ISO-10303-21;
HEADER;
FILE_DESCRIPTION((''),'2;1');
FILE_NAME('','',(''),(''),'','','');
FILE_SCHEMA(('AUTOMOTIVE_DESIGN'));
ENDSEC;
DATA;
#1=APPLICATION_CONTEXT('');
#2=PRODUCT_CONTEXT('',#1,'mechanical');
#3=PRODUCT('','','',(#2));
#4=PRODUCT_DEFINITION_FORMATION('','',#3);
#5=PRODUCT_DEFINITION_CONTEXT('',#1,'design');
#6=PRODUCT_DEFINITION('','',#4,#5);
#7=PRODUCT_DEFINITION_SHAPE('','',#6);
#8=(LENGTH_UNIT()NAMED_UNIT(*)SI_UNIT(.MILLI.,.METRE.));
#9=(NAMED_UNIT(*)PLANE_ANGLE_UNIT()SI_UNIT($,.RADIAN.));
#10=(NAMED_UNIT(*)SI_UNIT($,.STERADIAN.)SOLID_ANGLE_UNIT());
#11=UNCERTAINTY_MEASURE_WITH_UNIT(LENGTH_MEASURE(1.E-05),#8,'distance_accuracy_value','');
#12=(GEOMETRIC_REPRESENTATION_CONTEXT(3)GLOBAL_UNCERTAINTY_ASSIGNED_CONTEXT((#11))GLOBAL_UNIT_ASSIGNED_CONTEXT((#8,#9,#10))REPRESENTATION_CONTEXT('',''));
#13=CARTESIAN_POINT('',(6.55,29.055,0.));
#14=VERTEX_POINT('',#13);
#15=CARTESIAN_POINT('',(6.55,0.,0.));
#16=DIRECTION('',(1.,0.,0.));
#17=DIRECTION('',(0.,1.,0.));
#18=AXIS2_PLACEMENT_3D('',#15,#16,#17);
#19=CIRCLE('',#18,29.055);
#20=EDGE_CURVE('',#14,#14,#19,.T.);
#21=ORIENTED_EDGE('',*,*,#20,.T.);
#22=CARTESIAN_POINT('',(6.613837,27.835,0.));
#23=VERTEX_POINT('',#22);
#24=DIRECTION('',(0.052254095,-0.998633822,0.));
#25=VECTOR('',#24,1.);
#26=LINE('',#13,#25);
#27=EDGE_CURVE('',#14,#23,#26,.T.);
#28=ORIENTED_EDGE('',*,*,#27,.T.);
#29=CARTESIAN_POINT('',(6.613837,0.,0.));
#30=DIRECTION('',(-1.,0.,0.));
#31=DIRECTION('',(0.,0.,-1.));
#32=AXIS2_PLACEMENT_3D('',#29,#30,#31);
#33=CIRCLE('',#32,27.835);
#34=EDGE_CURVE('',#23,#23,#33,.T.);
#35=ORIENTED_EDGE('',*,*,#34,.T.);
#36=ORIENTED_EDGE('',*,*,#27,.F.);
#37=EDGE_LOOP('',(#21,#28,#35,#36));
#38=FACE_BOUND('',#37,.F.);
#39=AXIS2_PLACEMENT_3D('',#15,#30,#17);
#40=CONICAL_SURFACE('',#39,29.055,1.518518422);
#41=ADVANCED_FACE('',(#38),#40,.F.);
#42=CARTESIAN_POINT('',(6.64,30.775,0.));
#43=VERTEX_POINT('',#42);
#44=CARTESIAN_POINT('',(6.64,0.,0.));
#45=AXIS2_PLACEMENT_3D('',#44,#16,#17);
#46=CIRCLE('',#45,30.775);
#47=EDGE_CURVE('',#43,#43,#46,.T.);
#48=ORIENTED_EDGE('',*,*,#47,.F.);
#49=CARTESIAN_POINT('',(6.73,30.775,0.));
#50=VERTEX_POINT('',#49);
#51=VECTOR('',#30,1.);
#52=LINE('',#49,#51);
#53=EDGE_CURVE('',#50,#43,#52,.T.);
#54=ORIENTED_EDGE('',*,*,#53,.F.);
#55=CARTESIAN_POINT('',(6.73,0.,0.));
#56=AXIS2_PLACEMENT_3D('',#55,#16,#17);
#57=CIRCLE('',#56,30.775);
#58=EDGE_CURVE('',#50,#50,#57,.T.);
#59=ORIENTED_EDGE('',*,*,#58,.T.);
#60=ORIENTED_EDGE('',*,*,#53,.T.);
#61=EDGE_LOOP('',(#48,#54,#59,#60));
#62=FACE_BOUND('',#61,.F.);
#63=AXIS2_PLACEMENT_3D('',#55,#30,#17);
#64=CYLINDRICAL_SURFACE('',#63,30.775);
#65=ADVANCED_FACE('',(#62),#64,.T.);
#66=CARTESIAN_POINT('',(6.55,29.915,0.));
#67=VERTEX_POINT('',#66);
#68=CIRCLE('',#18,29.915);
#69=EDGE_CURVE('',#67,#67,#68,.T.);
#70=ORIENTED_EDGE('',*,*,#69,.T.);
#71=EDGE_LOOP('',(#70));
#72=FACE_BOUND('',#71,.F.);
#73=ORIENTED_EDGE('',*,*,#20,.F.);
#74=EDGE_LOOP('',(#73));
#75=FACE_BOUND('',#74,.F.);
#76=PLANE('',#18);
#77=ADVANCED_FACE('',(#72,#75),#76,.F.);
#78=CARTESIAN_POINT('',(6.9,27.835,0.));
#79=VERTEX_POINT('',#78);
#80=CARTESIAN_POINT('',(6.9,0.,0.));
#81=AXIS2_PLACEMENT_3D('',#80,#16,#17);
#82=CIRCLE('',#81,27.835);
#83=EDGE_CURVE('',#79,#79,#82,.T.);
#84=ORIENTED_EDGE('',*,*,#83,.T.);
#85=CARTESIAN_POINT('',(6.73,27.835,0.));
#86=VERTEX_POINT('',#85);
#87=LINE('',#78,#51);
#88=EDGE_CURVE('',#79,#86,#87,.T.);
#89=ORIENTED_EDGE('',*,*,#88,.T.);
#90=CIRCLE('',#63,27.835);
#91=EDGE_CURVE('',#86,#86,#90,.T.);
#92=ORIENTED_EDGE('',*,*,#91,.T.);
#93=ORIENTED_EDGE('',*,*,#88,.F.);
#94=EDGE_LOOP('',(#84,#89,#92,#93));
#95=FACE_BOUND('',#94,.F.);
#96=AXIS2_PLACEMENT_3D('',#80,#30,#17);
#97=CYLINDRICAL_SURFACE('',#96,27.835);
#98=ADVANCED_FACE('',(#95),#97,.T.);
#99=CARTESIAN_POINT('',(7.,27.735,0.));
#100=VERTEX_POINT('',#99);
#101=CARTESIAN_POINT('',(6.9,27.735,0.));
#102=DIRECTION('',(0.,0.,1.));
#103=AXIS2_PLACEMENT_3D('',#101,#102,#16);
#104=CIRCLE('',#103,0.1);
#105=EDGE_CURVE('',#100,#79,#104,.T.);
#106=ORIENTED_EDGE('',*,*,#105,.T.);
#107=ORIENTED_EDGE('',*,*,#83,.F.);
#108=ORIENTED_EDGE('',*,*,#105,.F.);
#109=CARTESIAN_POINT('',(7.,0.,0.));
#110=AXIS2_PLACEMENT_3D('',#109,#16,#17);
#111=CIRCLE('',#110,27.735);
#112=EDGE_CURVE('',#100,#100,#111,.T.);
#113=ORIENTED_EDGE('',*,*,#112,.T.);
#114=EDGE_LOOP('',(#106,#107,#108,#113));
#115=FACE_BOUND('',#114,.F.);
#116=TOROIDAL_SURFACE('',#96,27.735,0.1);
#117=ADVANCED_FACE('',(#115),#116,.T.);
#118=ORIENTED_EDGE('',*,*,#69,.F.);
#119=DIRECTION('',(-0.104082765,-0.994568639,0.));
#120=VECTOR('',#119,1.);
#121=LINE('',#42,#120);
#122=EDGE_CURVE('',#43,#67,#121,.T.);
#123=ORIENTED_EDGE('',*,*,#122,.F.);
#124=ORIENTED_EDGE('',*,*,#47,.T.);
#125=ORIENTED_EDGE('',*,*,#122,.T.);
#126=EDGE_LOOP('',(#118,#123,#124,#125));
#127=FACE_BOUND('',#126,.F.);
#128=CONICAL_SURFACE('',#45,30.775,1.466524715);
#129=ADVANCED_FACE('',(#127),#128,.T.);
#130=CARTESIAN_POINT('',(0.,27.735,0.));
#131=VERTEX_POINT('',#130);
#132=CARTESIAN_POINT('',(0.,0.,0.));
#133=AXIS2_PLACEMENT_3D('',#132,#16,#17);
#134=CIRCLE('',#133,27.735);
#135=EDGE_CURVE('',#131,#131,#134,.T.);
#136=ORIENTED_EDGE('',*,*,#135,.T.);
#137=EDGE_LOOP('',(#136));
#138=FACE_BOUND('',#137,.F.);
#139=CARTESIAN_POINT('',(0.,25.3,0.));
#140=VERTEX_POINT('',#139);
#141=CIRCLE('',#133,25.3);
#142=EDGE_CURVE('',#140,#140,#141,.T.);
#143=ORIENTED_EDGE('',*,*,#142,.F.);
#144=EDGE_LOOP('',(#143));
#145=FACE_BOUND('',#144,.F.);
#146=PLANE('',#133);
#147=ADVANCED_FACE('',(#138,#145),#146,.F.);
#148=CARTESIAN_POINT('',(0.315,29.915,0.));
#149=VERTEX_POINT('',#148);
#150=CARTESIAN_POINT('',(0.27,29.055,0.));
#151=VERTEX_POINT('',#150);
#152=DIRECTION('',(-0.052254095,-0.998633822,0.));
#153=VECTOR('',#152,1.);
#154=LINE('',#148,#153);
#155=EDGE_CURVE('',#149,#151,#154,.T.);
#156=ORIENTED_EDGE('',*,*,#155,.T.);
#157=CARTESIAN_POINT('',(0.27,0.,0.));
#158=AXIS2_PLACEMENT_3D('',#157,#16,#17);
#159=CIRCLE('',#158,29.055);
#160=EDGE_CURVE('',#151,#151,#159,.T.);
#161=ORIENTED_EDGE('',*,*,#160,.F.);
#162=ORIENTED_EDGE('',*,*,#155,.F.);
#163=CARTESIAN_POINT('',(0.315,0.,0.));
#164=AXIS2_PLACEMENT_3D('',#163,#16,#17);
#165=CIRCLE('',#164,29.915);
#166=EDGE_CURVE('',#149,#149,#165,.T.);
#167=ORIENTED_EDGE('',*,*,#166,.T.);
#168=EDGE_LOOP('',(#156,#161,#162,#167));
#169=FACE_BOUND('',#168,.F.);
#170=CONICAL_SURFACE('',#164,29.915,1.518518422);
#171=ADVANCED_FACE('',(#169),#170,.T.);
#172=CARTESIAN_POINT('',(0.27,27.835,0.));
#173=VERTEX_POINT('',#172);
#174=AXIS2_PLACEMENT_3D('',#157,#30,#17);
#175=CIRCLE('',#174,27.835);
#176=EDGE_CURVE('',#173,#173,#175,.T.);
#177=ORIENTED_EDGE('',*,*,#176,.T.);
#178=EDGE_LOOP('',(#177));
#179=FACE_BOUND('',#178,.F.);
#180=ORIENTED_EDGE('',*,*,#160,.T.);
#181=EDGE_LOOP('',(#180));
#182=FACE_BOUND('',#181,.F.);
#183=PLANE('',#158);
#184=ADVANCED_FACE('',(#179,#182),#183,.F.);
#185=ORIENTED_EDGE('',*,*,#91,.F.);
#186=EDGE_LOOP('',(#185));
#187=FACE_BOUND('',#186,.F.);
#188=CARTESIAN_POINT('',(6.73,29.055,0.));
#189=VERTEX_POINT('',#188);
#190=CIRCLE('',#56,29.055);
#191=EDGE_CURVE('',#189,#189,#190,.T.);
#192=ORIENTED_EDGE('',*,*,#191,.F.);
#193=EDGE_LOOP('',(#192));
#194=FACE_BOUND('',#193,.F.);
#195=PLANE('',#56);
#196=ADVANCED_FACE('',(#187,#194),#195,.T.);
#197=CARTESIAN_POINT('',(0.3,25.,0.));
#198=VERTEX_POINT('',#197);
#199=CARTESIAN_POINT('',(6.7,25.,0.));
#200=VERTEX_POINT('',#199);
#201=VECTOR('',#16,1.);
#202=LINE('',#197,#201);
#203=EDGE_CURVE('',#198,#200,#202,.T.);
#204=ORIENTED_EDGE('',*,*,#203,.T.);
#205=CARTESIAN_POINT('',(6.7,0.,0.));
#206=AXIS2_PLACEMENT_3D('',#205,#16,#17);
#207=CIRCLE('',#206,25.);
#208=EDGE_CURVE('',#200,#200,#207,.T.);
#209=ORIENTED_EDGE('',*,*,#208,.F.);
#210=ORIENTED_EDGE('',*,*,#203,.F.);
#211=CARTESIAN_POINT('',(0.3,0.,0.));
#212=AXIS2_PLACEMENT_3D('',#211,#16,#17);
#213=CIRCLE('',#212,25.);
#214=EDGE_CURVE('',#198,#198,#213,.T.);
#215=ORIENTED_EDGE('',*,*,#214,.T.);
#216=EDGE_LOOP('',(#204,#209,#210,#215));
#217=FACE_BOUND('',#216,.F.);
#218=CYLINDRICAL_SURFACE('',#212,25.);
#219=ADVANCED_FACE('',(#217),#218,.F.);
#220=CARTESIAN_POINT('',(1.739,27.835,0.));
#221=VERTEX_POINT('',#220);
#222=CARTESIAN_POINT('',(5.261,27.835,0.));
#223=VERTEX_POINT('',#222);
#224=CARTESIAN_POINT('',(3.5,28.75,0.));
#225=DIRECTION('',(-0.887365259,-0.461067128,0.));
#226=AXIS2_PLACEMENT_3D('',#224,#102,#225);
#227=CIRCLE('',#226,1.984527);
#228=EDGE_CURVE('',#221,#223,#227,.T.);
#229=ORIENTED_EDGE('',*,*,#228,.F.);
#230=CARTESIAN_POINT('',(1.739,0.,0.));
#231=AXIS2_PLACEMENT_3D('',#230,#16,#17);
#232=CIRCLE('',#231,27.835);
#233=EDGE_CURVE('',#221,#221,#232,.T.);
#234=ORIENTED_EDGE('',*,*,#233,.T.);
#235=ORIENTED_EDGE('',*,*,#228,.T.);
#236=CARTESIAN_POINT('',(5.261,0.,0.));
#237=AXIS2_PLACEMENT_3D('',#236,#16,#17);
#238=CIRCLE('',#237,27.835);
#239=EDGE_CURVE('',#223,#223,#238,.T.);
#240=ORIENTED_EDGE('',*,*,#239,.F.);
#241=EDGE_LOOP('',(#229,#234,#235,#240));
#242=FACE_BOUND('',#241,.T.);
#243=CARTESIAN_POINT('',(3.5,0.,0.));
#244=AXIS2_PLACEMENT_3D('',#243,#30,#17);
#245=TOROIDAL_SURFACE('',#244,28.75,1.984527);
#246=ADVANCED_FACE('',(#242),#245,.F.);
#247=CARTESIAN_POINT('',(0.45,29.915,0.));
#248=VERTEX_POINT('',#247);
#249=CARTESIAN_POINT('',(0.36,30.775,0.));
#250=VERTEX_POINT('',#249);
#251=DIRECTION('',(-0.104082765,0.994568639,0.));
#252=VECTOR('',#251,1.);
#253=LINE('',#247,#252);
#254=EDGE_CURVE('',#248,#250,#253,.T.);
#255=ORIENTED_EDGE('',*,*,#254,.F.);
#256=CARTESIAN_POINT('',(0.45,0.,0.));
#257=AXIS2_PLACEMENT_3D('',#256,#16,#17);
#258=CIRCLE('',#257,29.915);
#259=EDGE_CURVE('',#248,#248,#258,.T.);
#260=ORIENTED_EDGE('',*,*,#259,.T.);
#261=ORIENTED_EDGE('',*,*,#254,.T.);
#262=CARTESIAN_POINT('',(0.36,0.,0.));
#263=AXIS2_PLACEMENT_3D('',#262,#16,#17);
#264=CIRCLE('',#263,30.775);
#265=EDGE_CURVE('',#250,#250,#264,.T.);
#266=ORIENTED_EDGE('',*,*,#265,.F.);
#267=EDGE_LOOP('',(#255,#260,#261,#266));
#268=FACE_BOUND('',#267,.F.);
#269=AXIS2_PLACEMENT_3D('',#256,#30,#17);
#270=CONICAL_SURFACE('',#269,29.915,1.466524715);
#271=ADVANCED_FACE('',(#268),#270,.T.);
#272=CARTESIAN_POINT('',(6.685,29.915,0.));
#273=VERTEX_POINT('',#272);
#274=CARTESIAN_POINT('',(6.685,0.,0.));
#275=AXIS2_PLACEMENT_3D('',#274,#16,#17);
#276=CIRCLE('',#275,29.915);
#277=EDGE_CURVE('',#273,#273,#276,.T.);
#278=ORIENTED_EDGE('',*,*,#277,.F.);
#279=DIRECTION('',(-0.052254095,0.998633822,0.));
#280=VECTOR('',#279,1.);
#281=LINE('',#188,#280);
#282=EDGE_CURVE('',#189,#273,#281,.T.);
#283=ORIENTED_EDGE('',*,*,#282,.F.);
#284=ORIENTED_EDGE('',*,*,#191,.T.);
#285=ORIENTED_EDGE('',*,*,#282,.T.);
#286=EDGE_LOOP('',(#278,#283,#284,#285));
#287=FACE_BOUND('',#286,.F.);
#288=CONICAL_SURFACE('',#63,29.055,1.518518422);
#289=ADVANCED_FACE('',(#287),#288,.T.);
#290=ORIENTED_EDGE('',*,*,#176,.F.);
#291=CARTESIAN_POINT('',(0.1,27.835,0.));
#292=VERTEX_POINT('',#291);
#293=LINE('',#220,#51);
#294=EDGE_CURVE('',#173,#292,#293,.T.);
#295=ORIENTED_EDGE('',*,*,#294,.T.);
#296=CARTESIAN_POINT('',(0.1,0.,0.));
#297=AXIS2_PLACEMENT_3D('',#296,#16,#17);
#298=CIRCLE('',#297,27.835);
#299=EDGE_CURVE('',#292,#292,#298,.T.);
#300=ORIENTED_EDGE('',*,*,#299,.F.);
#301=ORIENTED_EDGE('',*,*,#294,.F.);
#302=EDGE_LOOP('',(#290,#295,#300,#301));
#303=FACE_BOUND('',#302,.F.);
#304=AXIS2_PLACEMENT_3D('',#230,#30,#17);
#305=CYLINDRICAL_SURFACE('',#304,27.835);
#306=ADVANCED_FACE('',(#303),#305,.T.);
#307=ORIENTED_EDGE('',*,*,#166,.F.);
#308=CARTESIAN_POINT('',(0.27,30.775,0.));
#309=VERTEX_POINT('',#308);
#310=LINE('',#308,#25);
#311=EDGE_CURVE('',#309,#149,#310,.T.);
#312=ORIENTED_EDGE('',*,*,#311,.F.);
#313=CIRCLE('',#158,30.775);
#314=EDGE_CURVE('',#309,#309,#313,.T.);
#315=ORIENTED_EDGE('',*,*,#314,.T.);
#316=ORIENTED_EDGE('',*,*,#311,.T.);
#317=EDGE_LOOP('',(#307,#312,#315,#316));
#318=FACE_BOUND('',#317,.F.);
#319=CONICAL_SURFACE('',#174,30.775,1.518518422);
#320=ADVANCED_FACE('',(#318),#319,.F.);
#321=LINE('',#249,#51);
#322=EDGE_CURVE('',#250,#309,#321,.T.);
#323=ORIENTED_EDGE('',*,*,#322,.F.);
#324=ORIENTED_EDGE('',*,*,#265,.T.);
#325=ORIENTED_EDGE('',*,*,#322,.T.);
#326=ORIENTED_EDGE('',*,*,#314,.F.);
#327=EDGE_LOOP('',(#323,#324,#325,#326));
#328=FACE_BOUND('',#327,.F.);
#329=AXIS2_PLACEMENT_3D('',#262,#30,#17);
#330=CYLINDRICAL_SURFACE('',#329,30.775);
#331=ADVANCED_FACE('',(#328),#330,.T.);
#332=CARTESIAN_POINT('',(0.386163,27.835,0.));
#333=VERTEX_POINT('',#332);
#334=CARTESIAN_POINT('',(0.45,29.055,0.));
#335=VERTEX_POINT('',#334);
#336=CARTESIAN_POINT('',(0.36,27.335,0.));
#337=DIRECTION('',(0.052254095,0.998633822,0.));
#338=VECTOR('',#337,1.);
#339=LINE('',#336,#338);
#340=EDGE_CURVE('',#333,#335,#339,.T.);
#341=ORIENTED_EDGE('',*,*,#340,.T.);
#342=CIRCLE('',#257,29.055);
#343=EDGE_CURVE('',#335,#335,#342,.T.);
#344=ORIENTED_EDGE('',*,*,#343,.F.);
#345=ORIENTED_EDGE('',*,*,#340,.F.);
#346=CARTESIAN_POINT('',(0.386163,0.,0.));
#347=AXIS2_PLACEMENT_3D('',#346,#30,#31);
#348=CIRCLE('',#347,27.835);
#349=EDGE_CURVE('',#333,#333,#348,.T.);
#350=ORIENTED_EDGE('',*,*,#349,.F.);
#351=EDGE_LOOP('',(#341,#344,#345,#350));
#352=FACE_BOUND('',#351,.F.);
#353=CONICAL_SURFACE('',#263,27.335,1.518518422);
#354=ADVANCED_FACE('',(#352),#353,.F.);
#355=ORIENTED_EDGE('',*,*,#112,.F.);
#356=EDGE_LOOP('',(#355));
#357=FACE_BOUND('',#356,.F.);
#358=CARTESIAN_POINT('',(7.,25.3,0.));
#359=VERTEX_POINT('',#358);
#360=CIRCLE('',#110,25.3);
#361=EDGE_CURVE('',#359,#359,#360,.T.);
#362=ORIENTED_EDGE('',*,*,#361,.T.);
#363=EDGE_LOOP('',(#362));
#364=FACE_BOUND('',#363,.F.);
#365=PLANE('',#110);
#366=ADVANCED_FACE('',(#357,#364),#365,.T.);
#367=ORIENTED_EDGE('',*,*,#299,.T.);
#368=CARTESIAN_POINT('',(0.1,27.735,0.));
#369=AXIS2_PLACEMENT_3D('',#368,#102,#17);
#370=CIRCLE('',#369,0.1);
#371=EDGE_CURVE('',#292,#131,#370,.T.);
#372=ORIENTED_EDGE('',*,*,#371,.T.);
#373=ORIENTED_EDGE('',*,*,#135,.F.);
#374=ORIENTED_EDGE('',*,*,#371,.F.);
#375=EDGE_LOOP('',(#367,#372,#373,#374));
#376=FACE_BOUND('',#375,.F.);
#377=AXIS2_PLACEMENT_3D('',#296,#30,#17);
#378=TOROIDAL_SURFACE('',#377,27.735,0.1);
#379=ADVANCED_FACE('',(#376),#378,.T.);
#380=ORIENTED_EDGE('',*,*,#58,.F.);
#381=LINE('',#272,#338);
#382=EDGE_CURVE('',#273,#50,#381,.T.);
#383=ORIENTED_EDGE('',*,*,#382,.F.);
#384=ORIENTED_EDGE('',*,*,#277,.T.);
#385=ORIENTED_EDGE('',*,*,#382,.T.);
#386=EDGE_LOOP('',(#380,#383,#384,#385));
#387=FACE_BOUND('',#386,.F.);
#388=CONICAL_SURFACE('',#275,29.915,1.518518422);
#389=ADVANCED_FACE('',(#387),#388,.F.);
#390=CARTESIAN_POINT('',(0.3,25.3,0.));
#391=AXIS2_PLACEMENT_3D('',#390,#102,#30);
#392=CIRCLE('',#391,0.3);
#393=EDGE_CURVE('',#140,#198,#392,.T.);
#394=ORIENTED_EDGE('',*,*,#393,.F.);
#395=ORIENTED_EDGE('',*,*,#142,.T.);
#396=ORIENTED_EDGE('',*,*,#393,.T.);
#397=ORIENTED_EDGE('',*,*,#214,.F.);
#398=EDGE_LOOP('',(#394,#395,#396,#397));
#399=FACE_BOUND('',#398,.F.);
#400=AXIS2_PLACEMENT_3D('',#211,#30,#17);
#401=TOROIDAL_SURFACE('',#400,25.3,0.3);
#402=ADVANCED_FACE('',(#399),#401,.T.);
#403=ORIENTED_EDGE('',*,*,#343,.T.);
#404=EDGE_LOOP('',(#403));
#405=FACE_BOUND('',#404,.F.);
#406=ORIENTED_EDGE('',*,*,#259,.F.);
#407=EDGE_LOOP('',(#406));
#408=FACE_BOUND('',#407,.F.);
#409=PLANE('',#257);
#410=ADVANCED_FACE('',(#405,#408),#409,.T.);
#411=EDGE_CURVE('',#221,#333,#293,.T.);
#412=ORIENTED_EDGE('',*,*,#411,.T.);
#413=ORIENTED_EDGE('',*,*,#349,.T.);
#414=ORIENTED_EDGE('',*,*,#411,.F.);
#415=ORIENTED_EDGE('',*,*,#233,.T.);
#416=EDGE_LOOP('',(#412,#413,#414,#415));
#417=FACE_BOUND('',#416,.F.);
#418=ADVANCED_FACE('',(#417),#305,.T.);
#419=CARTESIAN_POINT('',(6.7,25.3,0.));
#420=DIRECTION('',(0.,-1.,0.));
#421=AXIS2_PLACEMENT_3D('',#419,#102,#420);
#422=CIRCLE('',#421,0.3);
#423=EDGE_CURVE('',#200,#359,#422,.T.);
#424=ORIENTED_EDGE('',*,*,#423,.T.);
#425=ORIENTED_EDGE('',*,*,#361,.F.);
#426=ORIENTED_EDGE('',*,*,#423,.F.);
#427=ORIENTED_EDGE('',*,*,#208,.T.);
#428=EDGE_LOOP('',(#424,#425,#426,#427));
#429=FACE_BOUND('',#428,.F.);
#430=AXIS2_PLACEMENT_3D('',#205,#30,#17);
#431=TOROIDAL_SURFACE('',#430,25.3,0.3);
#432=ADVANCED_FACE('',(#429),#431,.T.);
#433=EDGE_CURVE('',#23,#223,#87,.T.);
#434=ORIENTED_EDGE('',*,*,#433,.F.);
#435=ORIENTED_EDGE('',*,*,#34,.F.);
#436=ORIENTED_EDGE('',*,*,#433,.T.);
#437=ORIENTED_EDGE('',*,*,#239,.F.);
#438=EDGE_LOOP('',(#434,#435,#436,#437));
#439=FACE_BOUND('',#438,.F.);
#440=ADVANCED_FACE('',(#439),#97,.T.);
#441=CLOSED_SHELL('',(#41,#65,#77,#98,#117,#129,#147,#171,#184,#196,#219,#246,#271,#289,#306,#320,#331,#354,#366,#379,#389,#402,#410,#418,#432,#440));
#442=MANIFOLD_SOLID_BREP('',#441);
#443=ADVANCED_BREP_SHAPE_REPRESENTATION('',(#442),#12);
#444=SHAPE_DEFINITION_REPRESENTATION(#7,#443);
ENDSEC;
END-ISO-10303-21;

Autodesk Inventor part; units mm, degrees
ref_plane "YZ Plane" through (0, 0, 0) normal (1, 0, 0) x (0, 1, 0)
ref_plane "XZ Plane" through (0, 0, 0) normal (0, 1, 0) x (-1, 0, 0)
ref_plane "XY Plane" through (0, 0, 0) normal (0, 0, 1) x (1, 0, 0)
sketch "Sketch_13" plane through (0, 0, 0) normal (0, 0, 1) x (1, 0, 0)
  line L0 (50, 0) -> (-50, 0)
  line L1 (0, 27.735) -> (0, 25.3)
  arc A0 (0, 25.3) -> (0.3, 25) centre (0.3, 25.3) ccw
  line L2 (0.3, 25) -> (6.7, 25)
  arc A1 (6.7, 25) -> (7, 25.3) centre (6.7, 25.3) ccw
  line L3 (7, 25.3) -> (7, 27.735)
  arc A2 (7, 27.735) -> (6.9, 27.835) centre (6.9, 27.735) ccw
  line L4 (6.9, 27.835) -> (5.261, 27.835)
  arc A3 (1.739, 27.835) -> (5.261, 27.835) centre (3.5, 28.75) ccw
  line L5 (1.739, 27.835) -> (0.1, 27.835)
  arc A4 (0.1, 27.835) -> (0, 27.735) centre (0.1, 27.735) ccw
revolve "Revolution1" add sketch "Sketch_13" angle 360 about axis through (50, 0, 0) along (1, 0, 0)
sketch "Sketch_15" plane through (0, 0, 0) normal (0, 0, 1) x (1, 0, 0)
  line L0 (50, 0) -> (-50, 0)
  line L1 (0.27, 30.775) -> (0.315, 29.915)
  line L2 (0.315, 29.915) -> (0.27, 29.055)
  line L3 (0.27, 29.055) -> (0.27, 27.335)
  line L4 (0.27, 27.335) -> (0.36, 27.335)
  line L5 (0.36, 27.335) -> (0.45, 29.055)
  line L6 (0.45, 29.055) -> (0.45, 29.915)
  line L7 (0.45, 29.915) -> (0.36, 30.775)
  line L8 (0.36, 30.775) -> (0.27, 30.775)
revolve "Revolution2" add sketch "Sketch_15" angle 360 about axis through (50, 0, 0) along (1, 0, 0)
sketch "Sketch_16" plane through (0, 0, 0) normal (0, 0, 1) x (1, 0, 0)
  line L0 (50, 0) -> (-50, 0)
  line L1 (6.55, 29.915) -> (6.55, 29.055)
  line L2 (6.55, 29.055) -> (6.64, 27.335)
  line L3 (6.64, 27.335) -> (6.73, 27.335)
  line L4 (6.73, 27.335) -> (6.73, 29.055)
  line L5 (6.73, 29.055) -> (6.685, 29.915)
  line L6 (6.685, 29.915) -> (6.73, 30.775)
  line L7 (6.73, 30.775) -> (6.64, 30.775)
  line L8 (6.64, 30.775) -> (6.55, 29.915)
revolve "Revolution3" add sketch "Sketch_16" angle 360 about axis through (50, 0, 0) along (1, 0, 0)
properties part number "SKF_W 61810-2RS1_PART1"
